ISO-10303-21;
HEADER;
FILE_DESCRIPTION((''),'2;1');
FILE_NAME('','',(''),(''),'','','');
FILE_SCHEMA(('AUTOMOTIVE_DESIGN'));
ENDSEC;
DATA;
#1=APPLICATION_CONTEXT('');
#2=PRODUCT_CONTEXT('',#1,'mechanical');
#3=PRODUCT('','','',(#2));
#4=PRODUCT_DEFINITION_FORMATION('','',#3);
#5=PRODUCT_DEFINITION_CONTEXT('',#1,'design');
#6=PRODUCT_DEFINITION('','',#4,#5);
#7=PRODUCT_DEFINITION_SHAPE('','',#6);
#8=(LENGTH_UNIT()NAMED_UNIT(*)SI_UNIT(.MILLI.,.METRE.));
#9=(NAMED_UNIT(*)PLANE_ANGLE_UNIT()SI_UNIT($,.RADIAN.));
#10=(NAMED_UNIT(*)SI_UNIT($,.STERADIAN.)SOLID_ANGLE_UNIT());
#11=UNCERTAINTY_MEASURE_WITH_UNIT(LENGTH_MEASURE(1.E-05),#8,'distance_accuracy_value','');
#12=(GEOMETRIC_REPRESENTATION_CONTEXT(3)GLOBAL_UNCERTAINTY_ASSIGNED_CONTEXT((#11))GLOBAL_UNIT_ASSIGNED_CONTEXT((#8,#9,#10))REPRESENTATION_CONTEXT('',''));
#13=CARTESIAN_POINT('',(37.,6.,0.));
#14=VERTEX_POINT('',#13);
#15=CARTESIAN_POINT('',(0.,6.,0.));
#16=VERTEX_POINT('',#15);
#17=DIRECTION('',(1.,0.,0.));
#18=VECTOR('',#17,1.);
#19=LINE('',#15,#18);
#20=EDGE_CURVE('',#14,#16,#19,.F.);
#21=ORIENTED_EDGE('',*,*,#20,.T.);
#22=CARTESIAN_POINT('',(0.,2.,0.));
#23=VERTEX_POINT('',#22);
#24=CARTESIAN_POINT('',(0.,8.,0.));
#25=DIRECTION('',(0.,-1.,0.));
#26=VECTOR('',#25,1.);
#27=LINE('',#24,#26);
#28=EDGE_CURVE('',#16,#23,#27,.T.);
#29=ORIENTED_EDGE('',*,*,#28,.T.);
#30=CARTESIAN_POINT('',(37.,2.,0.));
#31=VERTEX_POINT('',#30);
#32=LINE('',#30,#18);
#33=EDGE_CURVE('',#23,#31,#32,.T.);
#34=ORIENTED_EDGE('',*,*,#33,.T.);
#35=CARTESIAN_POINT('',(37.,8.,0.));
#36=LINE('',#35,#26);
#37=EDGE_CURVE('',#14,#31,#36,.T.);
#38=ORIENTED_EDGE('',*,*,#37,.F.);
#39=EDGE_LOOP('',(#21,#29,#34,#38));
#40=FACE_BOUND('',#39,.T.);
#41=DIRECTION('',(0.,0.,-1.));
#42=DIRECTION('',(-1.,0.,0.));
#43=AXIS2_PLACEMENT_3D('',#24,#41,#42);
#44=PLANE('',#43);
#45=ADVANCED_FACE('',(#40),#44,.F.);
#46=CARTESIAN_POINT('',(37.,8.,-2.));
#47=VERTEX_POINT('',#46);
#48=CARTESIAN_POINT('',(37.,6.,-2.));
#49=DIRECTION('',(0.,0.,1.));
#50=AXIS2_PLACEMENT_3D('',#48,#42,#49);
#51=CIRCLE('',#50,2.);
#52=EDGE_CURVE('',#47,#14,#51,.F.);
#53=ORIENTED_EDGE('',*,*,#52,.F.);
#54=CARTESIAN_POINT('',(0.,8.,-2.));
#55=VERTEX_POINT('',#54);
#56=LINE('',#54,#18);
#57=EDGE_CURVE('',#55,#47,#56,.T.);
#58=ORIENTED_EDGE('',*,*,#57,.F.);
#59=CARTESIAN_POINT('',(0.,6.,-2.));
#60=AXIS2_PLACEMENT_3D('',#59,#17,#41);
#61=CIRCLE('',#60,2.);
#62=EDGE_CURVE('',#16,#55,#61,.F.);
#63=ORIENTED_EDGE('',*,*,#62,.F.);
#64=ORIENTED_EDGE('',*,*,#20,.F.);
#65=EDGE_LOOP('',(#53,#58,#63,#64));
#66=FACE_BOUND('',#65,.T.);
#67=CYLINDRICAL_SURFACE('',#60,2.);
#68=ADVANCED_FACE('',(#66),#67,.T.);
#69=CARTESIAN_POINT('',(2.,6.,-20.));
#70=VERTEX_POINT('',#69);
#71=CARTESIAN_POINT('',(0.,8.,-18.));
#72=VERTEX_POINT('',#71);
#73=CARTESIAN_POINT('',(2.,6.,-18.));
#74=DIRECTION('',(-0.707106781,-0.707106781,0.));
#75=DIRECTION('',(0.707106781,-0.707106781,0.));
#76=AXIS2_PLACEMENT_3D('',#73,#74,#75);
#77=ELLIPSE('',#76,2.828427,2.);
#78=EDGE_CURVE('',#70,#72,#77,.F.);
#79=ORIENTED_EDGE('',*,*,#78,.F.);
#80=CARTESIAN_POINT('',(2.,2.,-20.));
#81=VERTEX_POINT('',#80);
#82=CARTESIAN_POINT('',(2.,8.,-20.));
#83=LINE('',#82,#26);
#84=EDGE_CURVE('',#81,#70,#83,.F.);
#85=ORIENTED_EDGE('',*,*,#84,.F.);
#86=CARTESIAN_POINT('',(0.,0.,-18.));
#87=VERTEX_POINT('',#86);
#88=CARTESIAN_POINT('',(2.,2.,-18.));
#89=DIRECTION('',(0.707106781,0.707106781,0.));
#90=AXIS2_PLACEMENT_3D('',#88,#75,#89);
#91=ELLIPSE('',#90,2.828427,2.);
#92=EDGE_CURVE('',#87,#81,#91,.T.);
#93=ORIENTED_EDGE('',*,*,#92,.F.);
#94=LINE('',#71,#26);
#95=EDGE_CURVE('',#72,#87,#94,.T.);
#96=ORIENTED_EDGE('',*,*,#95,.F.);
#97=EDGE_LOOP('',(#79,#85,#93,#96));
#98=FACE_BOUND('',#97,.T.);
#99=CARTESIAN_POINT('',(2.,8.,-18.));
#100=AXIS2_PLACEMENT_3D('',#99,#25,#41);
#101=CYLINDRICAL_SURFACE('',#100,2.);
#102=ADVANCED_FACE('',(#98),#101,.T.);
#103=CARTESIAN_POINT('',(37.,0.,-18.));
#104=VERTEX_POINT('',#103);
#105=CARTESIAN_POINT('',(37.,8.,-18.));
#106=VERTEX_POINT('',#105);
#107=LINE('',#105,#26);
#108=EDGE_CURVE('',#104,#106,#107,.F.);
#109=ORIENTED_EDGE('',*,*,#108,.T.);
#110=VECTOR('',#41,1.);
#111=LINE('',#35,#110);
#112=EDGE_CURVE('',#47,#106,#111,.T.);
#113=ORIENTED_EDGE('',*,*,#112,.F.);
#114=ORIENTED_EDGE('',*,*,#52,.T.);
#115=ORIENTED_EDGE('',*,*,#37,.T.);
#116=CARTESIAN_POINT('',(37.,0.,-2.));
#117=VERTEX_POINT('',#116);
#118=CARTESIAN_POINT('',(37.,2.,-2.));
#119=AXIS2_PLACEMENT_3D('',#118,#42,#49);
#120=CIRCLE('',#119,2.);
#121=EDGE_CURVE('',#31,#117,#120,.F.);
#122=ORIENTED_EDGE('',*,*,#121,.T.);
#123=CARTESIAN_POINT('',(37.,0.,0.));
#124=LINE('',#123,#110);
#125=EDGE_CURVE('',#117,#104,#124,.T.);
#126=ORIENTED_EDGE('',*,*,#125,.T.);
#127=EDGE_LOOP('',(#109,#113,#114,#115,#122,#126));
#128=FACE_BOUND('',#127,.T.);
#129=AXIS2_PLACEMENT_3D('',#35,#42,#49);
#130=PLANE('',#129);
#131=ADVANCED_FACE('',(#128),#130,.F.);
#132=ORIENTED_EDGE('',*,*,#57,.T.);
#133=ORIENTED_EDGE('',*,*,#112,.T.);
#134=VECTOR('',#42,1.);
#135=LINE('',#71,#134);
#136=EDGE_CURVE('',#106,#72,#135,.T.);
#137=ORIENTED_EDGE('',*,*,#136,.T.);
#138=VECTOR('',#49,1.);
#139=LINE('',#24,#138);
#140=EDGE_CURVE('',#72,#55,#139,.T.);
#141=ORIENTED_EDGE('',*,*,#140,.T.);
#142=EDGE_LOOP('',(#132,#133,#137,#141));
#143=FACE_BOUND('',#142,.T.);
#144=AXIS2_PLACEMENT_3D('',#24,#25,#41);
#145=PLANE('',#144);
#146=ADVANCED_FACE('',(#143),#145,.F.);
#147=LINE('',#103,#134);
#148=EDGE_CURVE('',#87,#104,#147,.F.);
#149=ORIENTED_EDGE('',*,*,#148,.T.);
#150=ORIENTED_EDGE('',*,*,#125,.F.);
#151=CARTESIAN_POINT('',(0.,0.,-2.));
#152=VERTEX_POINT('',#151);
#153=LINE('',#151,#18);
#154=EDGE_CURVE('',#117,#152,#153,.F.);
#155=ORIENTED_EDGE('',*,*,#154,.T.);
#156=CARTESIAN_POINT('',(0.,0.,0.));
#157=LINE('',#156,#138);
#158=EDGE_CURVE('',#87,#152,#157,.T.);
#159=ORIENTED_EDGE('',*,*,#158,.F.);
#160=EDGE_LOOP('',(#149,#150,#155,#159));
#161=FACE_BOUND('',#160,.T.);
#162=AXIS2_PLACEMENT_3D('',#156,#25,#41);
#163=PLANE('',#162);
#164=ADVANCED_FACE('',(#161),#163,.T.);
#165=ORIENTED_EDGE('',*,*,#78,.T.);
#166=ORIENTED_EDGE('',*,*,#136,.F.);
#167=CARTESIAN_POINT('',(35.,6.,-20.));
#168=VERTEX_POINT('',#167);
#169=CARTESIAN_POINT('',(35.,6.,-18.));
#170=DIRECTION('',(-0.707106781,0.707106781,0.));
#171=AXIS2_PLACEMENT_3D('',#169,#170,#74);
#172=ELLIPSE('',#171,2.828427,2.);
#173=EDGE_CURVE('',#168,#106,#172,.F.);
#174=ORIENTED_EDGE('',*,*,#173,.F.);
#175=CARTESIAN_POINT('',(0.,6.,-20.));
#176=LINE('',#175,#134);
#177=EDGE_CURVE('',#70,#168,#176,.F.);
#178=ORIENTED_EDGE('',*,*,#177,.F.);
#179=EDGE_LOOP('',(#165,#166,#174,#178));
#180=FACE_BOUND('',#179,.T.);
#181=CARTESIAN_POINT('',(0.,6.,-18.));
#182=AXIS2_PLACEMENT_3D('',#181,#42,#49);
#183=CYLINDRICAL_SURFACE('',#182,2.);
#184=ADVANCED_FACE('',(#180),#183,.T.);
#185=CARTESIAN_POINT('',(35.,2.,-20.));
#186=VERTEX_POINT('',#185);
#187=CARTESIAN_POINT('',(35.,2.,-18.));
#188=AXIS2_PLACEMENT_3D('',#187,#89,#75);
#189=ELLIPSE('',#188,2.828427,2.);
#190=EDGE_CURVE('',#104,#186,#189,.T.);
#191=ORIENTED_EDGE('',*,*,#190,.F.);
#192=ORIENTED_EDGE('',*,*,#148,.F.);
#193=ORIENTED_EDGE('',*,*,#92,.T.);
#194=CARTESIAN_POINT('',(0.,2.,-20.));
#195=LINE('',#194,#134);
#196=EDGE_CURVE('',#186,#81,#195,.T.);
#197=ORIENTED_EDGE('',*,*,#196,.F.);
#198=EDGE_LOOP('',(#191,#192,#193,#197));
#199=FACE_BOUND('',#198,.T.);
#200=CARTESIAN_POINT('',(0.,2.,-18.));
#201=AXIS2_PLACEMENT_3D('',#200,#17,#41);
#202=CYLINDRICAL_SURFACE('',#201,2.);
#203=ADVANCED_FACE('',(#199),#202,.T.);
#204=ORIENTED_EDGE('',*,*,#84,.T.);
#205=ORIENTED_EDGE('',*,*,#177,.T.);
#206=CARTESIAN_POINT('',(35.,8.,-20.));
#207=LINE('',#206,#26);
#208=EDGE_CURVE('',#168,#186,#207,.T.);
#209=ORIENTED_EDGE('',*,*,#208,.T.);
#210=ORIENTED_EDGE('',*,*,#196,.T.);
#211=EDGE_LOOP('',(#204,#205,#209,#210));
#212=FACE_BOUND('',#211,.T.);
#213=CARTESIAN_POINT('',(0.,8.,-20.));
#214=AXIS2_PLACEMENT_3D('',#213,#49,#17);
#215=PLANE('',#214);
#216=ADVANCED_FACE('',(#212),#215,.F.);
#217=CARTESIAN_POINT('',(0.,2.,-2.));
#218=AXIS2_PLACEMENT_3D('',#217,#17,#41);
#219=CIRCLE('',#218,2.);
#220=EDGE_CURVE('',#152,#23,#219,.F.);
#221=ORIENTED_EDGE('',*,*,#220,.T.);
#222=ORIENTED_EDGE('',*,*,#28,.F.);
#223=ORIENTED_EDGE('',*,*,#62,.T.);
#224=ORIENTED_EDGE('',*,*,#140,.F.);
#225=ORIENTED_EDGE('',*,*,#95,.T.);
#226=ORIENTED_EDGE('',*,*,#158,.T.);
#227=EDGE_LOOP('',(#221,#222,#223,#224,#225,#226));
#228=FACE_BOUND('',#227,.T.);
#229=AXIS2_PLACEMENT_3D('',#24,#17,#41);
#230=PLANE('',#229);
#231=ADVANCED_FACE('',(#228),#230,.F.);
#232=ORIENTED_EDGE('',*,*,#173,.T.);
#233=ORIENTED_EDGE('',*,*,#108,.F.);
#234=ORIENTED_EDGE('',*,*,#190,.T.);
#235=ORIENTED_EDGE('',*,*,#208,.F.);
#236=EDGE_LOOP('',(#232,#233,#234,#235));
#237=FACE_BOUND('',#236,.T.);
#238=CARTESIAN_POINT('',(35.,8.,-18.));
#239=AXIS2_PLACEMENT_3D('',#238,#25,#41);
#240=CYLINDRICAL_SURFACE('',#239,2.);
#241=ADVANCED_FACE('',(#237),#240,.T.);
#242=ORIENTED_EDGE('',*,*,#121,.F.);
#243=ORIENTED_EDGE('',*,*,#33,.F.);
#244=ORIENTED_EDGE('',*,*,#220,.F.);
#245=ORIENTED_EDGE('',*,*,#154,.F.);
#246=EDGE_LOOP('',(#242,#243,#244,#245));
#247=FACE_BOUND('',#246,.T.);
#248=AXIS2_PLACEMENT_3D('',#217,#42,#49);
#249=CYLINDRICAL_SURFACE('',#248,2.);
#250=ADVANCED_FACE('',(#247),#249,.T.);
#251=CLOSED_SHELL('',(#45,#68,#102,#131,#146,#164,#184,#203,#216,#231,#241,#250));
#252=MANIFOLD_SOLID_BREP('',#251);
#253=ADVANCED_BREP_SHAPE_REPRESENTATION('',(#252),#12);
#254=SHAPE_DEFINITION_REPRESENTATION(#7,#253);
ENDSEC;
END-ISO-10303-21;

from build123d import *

# Parameters (mm, degrees)
SKETCH1_W           = 37
SKETCH1_H           = 20
BOSS_EXTRUDE1_DEPTH = 8
FILLET1_R           = 2
FILLET2_R           = 2


with BuildPart() as part:
    # Sketch1 → Boss-Extrude1 (new body)
    with BuildSketch(Plane(origin=(0, 0, 0), x_dir=(1, 0, 0), z_dir=(0, 1, 0))):
        with Locations((18.5, 10)):
            Rectangle(SKETCH1_W, SKETCH1_H)
    extrude(amount=BOSS_EXTRUDE1_DEPTH)

    # Fillet1
    fillet1_edges = [part.edges().sort_by_distance(p)[0] for p in [
        (18.5, 8, 0),
    ]]
    fillet(fillet1_edges, radius=FILLET1_R)

    # Fillet2
    fillet2_edges = [part.edges().sort_by_distance(p)[0] for p in [
        (18.5, 8, -20),
        (18.5, 0, -20),
        (18.5, 0, 0),
        (0, 4, -20),
        (37, 4, -20),
    ]]
    fillet(fillet2_edges, radius=FILLET2_R)


solid = part.part
